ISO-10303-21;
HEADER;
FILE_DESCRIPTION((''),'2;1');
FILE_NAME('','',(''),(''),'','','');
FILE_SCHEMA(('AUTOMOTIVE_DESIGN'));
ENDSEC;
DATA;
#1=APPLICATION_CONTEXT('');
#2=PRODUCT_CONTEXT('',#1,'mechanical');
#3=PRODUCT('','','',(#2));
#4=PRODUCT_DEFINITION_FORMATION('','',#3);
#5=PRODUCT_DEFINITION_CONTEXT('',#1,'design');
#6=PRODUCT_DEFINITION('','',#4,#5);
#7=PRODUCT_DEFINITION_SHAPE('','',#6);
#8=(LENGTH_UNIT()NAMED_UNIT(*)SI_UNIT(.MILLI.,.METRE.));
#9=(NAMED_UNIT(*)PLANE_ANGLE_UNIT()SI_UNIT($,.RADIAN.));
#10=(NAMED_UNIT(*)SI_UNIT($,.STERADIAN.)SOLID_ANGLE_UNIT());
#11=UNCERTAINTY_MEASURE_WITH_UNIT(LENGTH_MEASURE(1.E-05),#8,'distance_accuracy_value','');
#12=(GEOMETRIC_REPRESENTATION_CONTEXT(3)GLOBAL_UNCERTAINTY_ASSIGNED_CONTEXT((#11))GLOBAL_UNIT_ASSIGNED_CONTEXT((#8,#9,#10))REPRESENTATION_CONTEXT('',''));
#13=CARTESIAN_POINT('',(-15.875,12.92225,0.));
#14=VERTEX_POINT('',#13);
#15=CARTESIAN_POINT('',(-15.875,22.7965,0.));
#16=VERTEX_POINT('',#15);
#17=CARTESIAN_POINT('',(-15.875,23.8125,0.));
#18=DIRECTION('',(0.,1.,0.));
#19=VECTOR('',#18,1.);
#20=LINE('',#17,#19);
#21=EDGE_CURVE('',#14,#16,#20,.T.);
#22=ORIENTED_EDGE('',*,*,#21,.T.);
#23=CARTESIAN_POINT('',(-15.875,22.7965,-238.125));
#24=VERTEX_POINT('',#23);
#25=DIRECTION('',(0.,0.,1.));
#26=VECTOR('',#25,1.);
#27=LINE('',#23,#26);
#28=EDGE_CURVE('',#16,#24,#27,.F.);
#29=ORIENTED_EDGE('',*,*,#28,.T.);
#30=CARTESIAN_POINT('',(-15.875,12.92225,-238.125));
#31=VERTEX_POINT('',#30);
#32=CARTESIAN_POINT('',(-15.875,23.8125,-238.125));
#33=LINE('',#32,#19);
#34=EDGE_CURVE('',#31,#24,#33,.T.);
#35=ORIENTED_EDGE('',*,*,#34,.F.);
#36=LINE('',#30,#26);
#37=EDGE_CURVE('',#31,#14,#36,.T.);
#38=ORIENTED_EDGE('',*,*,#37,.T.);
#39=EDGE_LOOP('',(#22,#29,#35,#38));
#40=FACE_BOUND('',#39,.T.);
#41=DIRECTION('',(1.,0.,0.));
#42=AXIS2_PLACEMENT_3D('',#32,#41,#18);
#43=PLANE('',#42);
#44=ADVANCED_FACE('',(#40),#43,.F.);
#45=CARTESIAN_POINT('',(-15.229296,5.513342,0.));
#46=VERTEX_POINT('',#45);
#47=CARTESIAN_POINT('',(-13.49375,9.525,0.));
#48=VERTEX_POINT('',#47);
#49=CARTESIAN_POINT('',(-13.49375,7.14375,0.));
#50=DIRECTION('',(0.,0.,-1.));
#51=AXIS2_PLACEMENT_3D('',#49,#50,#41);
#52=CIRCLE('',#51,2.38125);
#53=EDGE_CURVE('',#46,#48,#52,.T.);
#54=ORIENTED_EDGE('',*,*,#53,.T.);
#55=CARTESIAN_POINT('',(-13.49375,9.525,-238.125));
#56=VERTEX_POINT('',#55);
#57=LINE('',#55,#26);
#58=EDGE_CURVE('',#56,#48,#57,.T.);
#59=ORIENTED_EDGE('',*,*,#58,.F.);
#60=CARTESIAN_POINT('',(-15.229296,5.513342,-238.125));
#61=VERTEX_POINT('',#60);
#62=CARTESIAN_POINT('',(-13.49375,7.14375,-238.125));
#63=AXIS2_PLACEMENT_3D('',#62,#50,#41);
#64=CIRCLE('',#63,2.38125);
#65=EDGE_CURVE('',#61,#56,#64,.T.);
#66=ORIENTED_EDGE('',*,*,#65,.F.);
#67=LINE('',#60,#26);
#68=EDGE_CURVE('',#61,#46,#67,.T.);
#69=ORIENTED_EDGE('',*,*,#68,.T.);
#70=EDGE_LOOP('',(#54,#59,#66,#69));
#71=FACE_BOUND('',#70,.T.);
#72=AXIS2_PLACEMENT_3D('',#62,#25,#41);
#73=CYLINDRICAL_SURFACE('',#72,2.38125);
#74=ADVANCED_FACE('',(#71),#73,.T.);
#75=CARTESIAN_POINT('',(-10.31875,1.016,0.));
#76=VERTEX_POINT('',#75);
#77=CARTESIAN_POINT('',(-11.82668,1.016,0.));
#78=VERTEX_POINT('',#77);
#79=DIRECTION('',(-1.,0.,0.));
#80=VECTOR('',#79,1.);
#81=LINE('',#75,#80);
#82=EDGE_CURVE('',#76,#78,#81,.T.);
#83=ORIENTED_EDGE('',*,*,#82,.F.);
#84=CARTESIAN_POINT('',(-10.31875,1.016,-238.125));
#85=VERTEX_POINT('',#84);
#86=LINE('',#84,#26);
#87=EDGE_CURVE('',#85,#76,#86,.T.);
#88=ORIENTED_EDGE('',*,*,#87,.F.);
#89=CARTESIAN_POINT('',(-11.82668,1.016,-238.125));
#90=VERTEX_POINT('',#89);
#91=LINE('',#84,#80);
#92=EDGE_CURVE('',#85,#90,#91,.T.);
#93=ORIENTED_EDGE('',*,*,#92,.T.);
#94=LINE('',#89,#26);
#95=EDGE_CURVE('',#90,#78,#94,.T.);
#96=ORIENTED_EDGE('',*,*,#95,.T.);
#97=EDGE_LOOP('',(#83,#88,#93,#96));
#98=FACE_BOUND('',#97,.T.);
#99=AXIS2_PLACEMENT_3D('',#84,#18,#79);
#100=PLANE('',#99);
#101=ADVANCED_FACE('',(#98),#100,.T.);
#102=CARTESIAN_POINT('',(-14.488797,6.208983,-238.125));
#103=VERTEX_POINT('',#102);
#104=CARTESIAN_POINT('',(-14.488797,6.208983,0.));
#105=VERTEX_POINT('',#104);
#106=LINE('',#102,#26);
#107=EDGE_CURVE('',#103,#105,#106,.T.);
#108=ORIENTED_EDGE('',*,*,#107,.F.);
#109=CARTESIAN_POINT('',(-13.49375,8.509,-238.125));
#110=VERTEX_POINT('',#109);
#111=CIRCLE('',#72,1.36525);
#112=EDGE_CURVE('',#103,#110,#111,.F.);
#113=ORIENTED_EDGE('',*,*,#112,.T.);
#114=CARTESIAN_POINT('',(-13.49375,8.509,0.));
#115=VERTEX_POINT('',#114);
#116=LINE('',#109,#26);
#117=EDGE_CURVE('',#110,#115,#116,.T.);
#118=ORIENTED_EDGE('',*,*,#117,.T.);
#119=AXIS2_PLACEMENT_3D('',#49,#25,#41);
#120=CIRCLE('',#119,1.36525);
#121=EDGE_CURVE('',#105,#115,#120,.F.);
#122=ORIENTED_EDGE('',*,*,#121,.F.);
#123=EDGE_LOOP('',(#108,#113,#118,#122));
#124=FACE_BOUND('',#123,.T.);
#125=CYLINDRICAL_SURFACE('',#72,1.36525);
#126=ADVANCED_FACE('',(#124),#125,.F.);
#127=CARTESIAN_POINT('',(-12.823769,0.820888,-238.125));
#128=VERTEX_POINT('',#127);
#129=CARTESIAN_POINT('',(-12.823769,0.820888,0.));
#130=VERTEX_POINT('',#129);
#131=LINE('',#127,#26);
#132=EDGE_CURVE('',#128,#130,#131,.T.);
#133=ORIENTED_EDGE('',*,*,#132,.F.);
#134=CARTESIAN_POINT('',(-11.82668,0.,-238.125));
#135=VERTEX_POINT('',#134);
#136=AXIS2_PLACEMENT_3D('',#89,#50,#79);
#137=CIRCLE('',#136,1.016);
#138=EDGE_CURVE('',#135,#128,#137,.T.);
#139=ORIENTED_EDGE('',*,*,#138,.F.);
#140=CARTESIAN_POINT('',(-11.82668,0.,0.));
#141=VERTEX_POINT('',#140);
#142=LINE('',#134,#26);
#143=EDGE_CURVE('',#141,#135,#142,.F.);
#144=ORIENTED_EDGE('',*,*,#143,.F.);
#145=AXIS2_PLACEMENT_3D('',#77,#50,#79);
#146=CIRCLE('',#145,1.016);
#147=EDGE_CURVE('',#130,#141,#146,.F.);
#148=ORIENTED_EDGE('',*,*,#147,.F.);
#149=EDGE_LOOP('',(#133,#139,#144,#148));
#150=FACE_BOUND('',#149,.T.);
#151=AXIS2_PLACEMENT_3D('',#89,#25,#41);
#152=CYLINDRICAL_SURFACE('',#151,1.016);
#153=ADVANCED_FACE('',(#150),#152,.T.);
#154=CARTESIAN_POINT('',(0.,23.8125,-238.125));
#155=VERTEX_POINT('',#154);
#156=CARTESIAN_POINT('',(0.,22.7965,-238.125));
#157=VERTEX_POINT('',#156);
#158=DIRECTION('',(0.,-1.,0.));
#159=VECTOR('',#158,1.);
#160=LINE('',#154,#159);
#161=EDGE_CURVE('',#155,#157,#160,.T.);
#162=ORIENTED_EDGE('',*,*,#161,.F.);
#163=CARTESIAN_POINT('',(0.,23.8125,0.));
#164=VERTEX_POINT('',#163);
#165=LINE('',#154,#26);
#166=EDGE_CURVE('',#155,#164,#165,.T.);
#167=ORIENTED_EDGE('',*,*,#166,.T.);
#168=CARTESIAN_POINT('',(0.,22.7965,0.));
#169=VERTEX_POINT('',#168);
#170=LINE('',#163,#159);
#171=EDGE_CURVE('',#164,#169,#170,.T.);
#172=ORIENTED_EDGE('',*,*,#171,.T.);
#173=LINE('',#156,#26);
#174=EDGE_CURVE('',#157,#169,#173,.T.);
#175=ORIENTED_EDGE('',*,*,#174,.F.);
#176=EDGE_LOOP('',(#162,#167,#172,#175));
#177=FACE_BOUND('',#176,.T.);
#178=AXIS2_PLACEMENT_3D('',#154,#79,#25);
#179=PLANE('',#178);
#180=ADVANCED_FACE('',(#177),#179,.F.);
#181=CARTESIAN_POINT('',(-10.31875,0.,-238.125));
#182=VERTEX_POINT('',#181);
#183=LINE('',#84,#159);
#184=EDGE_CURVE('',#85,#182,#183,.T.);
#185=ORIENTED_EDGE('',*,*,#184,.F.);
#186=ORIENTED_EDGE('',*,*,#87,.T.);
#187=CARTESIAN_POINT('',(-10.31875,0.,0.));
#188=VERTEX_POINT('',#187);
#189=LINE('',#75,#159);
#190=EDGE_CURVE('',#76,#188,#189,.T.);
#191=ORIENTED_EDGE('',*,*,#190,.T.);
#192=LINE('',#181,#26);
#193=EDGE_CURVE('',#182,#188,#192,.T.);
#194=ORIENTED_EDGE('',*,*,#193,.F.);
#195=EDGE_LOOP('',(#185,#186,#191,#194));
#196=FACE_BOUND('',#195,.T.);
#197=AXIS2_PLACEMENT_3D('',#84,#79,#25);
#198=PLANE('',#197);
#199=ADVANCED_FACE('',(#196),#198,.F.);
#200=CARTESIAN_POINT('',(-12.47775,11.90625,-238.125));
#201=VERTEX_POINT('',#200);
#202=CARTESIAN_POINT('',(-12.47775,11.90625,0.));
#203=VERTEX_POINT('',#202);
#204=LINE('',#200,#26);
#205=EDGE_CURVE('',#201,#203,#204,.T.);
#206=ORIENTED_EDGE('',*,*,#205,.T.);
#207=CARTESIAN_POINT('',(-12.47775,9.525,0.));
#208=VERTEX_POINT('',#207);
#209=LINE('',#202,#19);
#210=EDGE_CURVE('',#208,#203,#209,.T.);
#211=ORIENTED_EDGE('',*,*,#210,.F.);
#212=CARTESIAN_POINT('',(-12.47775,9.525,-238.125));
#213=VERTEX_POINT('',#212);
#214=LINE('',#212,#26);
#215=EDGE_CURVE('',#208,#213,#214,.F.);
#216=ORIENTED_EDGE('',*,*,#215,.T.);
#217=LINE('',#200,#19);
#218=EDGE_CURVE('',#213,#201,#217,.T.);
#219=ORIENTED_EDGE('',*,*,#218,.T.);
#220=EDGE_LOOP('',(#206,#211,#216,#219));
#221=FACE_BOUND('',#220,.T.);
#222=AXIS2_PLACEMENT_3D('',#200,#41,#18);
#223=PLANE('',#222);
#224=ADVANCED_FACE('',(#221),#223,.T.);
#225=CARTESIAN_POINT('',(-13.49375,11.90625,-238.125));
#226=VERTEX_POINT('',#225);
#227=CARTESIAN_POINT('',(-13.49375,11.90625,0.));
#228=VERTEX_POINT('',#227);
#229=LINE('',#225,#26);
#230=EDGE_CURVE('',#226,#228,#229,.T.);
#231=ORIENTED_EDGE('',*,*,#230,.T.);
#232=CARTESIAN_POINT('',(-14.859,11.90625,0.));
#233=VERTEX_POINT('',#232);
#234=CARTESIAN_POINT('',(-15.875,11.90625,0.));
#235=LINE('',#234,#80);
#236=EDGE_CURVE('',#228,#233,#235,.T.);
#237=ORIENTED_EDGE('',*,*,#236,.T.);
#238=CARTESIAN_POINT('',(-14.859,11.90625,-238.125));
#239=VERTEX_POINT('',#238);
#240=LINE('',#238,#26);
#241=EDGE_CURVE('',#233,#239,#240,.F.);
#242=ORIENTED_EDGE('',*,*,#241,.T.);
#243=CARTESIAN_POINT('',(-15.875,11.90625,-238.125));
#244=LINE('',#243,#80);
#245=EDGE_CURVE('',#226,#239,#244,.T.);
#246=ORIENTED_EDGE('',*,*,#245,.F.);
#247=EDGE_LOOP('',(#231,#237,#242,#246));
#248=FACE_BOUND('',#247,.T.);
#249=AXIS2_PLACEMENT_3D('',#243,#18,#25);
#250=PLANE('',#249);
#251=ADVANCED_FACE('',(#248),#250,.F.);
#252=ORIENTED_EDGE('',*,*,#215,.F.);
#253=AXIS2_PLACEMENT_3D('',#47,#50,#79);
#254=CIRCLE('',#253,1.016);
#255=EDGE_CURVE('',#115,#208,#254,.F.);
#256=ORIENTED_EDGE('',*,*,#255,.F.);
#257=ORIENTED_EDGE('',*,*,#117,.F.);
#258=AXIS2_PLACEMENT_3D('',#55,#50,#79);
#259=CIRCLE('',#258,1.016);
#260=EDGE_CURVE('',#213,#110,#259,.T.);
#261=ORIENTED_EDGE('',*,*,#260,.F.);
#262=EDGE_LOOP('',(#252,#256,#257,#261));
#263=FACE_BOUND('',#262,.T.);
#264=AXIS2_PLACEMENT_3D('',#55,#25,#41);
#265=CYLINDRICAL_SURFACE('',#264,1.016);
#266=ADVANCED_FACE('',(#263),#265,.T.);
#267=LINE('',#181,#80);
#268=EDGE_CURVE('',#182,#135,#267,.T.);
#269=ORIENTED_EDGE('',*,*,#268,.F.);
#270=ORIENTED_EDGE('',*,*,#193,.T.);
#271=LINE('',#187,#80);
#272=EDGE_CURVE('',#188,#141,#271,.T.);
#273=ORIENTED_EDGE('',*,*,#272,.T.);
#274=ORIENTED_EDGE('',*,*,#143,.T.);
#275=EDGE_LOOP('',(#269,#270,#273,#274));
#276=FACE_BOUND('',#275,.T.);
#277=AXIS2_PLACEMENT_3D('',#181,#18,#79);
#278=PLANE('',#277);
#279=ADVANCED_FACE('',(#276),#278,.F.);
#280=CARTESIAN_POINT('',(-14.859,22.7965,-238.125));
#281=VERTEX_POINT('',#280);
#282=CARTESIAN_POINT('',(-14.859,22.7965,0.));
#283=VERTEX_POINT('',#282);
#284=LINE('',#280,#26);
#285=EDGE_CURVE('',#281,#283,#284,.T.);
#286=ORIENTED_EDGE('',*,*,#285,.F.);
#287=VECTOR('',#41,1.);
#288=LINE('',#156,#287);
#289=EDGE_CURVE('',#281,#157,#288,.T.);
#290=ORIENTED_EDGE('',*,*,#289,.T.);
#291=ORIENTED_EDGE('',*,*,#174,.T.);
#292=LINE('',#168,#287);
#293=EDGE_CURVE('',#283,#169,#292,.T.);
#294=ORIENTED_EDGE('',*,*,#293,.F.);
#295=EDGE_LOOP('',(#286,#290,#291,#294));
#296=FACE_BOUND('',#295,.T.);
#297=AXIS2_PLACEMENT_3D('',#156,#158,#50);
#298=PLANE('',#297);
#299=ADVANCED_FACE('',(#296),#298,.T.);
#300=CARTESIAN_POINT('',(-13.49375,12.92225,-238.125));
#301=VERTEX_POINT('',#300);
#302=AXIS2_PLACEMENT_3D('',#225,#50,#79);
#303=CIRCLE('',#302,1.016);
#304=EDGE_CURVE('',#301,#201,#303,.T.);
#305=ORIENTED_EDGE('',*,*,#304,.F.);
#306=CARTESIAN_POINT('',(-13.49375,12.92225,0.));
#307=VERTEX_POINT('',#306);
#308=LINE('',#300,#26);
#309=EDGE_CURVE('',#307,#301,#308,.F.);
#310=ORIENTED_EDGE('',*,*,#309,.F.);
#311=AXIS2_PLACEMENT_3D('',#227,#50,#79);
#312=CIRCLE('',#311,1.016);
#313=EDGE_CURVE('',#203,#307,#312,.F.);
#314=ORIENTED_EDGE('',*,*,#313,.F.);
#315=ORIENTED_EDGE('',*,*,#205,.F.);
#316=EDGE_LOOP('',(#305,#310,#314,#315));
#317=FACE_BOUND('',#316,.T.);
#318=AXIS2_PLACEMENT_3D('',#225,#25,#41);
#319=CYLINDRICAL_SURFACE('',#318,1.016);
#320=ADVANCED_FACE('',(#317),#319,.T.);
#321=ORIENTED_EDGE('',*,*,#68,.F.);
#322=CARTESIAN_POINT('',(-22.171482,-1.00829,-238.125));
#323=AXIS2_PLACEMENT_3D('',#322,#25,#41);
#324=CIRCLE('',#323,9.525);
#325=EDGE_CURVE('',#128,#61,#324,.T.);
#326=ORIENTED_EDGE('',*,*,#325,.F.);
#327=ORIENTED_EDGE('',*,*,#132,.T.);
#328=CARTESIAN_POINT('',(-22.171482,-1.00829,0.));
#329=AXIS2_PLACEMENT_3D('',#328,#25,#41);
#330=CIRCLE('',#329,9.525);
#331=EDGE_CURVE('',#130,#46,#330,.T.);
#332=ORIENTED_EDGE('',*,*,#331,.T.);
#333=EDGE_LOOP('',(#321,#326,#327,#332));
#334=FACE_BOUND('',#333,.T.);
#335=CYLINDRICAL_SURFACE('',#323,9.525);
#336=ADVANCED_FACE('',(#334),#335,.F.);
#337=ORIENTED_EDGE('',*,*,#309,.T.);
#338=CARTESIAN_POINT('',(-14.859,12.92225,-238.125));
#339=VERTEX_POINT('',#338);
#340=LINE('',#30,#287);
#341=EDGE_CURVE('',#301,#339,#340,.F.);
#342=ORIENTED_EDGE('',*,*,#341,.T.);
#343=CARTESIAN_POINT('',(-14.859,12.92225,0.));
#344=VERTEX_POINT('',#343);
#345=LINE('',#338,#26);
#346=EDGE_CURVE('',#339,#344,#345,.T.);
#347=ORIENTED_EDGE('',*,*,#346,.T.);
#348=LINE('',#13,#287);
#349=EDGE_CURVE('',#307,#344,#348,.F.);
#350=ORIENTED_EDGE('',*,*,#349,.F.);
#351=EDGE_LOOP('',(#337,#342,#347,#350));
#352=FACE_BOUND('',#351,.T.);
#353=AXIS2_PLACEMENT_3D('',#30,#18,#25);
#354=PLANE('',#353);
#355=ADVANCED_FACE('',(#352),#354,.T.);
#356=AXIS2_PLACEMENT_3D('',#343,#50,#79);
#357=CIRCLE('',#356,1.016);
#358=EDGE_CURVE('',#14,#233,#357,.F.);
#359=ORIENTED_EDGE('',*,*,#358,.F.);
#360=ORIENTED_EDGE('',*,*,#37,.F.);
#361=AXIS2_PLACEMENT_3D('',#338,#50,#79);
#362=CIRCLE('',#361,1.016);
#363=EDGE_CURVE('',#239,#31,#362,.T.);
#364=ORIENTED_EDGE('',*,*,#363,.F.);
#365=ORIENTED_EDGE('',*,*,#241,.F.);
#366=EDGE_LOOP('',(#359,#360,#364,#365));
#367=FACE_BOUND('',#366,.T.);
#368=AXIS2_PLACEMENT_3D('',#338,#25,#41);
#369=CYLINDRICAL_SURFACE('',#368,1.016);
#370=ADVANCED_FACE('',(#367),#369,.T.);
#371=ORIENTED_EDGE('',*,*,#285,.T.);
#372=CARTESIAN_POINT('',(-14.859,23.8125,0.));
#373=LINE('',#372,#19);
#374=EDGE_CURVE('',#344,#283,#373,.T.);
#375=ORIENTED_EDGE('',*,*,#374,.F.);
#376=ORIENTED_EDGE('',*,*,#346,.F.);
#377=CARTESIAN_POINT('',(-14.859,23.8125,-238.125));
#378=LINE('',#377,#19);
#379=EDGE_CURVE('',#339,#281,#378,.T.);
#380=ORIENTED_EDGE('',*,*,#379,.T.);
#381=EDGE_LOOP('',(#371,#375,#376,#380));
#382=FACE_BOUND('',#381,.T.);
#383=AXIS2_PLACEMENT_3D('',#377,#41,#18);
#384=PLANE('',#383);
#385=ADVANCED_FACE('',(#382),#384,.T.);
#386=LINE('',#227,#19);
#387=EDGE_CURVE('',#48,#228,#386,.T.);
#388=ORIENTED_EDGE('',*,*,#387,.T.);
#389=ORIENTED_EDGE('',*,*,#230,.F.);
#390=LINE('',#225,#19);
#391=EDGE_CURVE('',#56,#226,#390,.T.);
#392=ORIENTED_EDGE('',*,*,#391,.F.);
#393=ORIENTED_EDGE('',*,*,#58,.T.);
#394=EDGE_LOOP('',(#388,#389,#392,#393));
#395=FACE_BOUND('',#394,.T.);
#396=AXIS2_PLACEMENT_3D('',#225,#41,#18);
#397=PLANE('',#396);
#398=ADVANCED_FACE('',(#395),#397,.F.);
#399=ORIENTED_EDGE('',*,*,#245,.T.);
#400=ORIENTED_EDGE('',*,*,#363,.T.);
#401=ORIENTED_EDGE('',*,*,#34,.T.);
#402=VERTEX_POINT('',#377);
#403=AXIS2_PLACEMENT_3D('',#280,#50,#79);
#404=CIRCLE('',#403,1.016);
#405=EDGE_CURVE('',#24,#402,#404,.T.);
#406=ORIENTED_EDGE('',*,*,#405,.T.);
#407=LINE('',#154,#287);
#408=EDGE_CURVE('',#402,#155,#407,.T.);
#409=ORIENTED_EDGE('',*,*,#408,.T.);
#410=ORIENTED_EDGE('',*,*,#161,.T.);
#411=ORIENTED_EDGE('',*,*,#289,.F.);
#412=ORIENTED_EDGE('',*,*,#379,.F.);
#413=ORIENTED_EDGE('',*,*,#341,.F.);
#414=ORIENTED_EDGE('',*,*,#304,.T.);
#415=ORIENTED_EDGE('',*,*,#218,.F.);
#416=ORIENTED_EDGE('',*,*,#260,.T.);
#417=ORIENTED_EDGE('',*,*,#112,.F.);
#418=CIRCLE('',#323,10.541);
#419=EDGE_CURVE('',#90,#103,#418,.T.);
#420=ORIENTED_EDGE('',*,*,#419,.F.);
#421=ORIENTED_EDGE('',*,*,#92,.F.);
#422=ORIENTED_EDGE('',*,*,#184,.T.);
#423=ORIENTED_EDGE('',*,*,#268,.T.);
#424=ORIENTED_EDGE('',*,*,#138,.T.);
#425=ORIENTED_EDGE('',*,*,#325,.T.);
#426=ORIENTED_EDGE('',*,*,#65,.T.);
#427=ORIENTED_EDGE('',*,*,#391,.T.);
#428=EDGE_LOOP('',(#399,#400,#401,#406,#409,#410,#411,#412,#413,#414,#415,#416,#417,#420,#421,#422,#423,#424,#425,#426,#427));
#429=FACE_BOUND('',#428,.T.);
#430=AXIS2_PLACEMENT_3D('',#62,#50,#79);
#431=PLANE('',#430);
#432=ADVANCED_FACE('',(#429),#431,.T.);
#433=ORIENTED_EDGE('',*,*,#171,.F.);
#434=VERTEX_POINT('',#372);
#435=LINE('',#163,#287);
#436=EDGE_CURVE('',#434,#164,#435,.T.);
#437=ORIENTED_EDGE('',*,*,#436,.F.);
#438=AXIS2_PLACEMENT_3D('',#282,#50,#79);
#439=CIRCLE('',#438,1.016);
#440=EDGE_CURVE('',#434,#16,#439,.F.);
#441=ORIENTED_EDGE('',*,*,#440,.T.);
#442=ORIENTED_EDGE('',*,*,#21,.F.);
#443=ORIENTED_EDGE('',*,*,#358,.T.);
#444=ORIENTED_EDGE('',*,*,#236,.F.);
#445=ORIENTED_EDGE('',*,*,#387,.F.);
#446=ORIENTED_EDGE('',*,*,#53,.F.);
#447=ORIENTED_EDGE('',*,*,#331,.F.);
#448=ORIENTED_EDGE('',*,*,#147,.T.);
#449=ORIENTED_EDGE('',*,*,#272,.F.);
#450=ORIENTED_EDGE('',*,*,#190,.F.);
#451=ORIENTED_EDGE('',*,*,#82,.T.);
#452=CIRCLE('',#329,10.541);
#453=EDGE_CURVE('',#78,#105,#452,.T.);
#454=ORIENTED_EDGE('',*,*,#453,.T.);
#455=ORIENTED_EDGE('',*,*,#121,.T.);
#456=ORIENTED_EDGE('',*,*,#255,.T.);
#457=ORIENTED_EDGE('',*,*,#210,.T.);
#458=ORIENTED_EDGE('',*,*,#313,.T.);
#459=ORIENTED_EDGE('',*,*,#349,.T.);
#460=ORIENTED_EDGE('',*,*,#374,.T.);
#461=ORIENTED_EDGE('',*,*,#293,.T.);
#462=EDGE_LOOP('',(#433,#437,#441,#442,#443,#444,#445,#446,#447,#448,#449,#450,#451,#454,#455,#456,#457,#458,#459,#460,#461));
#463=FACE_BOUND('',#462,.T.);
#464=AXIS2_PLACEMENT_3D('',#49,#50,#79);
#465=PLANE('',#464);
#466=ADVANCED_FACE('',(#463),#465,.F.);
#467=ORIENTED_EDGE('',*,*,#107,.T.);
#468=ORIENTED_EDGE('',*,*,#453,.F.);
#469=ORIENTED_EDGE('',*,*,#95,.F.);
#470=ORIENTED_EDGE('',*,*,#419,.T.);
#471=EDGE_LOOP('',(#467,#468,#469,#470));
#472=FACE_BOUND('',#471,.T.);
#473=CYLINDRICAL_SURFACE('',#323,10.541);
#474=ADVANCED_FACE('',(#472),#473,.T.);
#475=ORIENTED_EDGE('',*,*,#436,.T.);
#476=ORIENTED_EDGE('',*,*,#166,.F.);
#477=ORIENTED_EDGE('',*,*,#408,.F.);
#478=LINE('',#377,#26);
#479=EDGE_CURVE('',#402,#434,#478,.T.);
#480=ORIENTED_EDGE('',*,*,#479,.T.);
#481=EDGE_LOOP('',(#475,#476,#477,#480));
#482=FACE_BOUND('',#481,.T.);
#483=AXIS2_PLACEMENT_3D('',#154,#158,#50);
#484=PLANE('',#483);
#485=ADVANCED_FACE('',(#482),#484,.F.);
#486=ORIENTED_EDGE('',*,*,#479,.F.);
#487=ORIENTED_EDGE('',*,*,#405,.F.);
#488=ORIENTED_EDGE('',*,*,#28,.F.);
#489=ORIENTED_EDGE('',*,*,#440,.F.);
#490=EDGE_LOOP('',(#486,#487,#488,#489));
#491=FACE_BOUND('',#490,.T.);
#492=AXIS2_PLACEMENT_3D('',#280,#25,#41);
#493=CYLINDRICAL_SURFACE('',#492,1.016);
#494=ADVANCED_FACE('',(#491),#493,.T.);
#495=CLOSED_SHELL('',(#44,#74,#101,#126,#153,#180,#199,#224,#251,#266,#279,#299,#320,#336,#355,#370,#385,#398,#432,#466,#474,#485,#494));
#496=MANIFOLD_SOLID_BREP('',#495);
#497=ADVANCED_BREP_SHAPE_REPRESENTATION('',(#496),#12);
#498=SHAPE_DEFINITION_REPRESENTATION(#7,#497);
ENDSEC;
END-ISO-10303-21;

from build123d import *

# Parameters (mm, degrees)
EXTRUDE_THIN1_DEPTH = 238.125
FILLET1_R           = 1.016


with BuildPart() as part:
    # Sketch1 → Extrude-Thin1 (new body)
    with BuildSketch(Plane.XY):
        with BuildLine():
            Line((0, 23.8125), (-15.875, 23.8125))
            Line((-15.875, 23.8125), (-15.875, 11.90625))
            Line((-15.875, 11.90625), (-13.49375, 11.90625))
            Line((-13.49375, 11.90625), (-13.49375, 9.525))
            ThreePointArc((-13.49375, 9.525), (-15.679243133, 8.08925057), (-15.229296459, 5.51334206))
            ThreePointArc((-15.229296459, 5.51334206), (-13.514036913, 2.963393123), (-12.7, 0))
            Line((-12.7, 0), (-10.31875, 0))
            Line((-10.31875, 0), (-10.31875, 1.016))
            Line((-10.31875, 1.016), (-11.826680113, 1.016))
            ThreePointArc((-11.826680113, 1.016), (-12.791218599, 3.800383088), (-14.488796637, 6.208982781))
            ThreePointArc((-14.488796637, 6.208982781), (-14.417167703, 8.149338041), (-12.47775, 8.05569932))
            Line((-12.47775, 8.05569932), (-12.47775, 12.92225))
            Line((-12.47775, 12.92225), (-14.859, 12.92225))
            Line((-14.859, 12.92225), (-14.859, 22.7965))
            Line((-14.859, 22.7965), (0, 22.7965))
            Line((0, 22.7965), (0, 23.8125))
        make_face()
    extrude(amount=-EXTRUDE_THIN1_DEPTH)

    # Fillet1
    fillet1_edges = [part.edges().sort_by_distance(p)[0] for p in [
        (-12.47775, 12.92225, -119.0625),
        (-12.47775, 8.05569932, -119.0625),
        (-12.7, 0, -119.0625),
        (-15.875, 11.90625, -119.0625),
        (-15.875, 23.8125, -119.0625),
    ]]
    fillet(fillet1_edges, radius=FILLET1_R)


solid = part.part
